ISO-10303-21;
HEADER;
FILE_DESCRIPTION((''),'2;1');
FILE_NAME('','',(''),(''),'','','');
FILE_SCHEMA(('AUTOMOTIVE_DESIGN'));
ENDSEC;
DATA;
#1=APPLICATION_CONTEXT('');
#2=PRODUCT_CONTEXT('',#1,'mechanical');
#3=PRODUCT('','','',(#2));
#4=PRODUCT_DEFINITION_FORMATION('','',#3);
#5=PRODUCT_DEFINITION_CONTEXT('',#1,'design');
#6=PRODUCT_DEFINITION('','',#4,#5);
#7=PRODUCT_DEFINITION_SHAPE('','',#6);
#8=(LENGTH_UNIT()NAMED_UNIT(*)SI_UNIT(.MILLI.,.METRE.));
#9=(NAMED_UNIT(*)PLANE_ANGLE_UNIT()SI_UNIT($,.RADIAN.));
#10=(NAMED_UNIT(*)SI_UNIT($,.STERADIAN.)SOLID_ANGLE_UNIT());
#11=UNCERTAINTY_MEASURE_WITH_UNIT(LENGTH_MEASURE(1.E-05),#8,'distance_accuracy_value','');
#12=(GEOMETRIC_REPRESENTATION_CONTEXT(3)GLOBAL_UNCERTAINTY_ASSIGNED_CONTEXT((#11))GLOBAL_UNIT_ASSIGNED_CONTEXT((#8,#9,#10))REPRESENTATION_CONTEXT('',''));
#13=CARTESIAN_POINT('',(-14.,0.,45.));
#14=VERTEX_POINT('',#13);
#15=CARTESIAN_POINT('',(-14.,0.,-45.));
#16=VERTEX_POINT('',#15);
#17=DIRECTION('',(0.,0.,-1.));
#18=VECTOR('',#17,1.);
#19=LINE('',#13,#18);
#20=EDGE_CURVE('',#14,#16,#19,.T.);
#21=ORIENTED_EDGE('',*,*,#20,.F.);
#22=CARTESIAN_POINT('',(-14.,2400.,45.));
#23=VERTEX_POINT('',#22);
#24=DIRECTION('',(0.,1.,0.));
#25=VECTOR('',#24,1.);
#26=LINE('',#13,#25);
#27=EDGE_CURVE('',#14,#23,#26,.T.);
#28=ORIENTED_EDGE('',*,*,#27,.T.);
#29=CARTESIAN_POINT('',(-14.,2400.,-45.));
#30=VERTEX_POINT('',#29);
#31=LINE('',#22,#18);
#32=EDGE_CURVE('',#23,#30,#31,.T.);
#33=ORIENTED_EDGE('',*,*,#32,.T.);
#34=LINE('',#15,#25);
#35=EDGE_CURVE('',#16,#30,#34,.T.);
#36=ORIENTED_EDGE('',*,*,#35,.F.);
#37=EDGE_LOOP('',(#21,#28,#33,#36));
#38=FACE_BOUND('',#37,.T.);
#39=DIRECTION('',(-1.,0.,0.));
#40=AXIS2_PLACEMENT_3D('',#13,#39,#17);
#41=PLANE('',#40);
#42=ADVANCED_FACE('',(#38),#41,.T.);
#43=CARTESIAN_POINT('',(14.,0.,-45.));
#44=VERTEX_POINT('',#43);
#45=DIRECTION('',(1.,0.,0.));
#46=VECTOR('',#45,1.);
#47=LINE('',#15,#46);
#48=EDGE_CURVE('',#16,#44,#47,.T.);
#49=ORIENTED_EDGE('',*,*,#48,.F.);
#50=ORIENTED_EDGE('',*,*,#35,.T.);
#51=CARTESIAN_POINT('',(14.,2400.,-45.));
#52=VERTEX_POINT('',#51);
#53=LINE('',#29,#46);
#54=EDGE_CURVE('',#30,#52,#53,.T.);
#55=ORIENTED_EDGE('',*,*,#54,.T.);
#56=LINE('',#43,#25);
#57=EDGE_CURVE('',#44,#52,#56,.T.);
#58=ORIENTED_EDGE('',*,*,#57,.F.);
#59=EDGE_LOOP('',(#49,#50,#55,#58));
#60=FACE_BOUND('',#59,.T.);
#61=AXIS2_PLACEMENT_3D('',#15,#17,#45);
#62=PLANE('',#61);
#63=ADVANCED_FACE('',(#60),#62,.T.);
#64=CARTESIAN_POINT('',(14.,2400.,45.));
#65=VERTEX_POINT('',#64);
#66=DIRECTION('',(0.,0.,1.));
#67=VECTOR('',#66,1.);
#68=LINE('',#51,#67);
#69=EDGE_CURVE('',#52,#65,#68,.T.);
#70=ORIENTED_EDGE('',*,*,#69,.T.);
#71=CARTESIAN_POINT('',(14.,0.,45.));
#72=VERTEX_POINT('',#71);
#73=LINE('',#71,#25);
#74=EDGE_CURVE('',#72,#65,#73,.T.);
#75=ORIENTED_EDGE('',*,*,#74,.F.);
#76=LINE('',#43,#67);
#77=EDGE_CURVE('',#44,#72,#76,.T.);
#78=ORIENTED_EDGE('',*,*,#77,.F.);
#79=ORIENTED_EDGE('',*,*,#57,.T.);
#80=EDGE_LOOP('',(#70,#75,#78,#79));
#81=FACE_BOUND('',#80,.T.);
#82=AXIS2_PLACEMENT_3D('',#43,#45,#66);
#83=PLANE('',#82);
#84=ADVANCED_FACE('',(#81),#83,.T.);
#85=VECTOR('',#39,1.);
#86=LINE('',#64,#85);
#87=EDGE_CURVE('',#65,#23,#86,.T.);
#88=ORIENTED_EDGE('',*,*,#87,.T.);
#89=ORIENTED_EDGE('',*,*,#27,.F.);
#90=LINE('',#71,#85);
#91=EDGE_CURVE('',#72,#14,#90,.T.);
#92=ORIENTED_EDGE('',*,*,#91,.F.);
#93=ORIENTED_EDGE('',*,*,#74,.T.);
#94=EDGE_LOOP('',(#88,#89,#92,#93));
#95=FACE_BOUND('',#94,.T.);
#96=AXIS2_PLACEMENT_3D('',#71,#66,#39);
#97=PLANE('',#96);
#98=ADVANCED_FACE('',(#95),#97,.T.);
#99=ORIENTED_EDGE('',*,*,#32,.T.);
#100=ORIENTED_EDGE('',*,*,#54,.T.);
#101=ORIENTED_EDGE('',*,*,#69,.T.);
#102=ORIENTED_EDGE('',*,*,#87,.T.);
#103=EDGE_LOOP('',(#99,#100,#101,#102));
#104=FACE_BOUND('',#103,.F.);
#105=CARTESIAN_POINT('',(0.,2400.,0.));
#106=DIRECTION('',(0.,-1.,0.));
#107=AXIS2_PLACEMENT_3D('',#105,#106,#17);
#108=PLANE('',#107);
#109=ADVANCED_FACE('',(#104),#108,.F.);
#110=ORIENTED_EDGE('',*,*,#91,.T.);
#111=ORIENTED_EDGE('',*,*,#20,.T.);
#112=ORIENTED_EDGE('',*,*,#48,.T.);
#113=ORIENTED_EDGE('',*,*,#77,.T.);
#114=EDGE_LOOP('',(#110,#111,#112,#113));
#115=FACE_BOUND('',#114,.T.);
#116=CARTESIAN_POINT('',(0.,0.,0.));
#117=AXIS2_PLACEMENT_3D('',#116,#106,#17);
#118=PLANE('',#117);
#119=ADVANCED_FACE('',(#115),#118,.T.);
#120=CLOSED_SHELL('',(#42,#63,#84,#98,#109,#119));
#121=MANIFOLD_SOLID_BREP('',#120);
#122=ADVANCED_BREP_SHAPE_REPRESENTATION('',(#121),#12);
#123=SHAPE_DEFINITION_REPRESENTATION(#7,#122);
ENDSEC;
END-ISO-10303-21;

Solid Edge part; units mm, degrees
sketch "Sketch1" plane through (0, 0, 0) normal (0, -1, 0) x (1, 0, 0)
  line L0 (-14, -45) -> (14, -45)
  line L1 (14, -45) -> (14, 45)
  line L2 (14, 45) -> (-14, 45)
  line L3 (-14, 45) -> (-14, -45)
extrude "Protrusion1" add sketch "Sketch1" against normal blind 2400
properties material "Wood, Ash"
